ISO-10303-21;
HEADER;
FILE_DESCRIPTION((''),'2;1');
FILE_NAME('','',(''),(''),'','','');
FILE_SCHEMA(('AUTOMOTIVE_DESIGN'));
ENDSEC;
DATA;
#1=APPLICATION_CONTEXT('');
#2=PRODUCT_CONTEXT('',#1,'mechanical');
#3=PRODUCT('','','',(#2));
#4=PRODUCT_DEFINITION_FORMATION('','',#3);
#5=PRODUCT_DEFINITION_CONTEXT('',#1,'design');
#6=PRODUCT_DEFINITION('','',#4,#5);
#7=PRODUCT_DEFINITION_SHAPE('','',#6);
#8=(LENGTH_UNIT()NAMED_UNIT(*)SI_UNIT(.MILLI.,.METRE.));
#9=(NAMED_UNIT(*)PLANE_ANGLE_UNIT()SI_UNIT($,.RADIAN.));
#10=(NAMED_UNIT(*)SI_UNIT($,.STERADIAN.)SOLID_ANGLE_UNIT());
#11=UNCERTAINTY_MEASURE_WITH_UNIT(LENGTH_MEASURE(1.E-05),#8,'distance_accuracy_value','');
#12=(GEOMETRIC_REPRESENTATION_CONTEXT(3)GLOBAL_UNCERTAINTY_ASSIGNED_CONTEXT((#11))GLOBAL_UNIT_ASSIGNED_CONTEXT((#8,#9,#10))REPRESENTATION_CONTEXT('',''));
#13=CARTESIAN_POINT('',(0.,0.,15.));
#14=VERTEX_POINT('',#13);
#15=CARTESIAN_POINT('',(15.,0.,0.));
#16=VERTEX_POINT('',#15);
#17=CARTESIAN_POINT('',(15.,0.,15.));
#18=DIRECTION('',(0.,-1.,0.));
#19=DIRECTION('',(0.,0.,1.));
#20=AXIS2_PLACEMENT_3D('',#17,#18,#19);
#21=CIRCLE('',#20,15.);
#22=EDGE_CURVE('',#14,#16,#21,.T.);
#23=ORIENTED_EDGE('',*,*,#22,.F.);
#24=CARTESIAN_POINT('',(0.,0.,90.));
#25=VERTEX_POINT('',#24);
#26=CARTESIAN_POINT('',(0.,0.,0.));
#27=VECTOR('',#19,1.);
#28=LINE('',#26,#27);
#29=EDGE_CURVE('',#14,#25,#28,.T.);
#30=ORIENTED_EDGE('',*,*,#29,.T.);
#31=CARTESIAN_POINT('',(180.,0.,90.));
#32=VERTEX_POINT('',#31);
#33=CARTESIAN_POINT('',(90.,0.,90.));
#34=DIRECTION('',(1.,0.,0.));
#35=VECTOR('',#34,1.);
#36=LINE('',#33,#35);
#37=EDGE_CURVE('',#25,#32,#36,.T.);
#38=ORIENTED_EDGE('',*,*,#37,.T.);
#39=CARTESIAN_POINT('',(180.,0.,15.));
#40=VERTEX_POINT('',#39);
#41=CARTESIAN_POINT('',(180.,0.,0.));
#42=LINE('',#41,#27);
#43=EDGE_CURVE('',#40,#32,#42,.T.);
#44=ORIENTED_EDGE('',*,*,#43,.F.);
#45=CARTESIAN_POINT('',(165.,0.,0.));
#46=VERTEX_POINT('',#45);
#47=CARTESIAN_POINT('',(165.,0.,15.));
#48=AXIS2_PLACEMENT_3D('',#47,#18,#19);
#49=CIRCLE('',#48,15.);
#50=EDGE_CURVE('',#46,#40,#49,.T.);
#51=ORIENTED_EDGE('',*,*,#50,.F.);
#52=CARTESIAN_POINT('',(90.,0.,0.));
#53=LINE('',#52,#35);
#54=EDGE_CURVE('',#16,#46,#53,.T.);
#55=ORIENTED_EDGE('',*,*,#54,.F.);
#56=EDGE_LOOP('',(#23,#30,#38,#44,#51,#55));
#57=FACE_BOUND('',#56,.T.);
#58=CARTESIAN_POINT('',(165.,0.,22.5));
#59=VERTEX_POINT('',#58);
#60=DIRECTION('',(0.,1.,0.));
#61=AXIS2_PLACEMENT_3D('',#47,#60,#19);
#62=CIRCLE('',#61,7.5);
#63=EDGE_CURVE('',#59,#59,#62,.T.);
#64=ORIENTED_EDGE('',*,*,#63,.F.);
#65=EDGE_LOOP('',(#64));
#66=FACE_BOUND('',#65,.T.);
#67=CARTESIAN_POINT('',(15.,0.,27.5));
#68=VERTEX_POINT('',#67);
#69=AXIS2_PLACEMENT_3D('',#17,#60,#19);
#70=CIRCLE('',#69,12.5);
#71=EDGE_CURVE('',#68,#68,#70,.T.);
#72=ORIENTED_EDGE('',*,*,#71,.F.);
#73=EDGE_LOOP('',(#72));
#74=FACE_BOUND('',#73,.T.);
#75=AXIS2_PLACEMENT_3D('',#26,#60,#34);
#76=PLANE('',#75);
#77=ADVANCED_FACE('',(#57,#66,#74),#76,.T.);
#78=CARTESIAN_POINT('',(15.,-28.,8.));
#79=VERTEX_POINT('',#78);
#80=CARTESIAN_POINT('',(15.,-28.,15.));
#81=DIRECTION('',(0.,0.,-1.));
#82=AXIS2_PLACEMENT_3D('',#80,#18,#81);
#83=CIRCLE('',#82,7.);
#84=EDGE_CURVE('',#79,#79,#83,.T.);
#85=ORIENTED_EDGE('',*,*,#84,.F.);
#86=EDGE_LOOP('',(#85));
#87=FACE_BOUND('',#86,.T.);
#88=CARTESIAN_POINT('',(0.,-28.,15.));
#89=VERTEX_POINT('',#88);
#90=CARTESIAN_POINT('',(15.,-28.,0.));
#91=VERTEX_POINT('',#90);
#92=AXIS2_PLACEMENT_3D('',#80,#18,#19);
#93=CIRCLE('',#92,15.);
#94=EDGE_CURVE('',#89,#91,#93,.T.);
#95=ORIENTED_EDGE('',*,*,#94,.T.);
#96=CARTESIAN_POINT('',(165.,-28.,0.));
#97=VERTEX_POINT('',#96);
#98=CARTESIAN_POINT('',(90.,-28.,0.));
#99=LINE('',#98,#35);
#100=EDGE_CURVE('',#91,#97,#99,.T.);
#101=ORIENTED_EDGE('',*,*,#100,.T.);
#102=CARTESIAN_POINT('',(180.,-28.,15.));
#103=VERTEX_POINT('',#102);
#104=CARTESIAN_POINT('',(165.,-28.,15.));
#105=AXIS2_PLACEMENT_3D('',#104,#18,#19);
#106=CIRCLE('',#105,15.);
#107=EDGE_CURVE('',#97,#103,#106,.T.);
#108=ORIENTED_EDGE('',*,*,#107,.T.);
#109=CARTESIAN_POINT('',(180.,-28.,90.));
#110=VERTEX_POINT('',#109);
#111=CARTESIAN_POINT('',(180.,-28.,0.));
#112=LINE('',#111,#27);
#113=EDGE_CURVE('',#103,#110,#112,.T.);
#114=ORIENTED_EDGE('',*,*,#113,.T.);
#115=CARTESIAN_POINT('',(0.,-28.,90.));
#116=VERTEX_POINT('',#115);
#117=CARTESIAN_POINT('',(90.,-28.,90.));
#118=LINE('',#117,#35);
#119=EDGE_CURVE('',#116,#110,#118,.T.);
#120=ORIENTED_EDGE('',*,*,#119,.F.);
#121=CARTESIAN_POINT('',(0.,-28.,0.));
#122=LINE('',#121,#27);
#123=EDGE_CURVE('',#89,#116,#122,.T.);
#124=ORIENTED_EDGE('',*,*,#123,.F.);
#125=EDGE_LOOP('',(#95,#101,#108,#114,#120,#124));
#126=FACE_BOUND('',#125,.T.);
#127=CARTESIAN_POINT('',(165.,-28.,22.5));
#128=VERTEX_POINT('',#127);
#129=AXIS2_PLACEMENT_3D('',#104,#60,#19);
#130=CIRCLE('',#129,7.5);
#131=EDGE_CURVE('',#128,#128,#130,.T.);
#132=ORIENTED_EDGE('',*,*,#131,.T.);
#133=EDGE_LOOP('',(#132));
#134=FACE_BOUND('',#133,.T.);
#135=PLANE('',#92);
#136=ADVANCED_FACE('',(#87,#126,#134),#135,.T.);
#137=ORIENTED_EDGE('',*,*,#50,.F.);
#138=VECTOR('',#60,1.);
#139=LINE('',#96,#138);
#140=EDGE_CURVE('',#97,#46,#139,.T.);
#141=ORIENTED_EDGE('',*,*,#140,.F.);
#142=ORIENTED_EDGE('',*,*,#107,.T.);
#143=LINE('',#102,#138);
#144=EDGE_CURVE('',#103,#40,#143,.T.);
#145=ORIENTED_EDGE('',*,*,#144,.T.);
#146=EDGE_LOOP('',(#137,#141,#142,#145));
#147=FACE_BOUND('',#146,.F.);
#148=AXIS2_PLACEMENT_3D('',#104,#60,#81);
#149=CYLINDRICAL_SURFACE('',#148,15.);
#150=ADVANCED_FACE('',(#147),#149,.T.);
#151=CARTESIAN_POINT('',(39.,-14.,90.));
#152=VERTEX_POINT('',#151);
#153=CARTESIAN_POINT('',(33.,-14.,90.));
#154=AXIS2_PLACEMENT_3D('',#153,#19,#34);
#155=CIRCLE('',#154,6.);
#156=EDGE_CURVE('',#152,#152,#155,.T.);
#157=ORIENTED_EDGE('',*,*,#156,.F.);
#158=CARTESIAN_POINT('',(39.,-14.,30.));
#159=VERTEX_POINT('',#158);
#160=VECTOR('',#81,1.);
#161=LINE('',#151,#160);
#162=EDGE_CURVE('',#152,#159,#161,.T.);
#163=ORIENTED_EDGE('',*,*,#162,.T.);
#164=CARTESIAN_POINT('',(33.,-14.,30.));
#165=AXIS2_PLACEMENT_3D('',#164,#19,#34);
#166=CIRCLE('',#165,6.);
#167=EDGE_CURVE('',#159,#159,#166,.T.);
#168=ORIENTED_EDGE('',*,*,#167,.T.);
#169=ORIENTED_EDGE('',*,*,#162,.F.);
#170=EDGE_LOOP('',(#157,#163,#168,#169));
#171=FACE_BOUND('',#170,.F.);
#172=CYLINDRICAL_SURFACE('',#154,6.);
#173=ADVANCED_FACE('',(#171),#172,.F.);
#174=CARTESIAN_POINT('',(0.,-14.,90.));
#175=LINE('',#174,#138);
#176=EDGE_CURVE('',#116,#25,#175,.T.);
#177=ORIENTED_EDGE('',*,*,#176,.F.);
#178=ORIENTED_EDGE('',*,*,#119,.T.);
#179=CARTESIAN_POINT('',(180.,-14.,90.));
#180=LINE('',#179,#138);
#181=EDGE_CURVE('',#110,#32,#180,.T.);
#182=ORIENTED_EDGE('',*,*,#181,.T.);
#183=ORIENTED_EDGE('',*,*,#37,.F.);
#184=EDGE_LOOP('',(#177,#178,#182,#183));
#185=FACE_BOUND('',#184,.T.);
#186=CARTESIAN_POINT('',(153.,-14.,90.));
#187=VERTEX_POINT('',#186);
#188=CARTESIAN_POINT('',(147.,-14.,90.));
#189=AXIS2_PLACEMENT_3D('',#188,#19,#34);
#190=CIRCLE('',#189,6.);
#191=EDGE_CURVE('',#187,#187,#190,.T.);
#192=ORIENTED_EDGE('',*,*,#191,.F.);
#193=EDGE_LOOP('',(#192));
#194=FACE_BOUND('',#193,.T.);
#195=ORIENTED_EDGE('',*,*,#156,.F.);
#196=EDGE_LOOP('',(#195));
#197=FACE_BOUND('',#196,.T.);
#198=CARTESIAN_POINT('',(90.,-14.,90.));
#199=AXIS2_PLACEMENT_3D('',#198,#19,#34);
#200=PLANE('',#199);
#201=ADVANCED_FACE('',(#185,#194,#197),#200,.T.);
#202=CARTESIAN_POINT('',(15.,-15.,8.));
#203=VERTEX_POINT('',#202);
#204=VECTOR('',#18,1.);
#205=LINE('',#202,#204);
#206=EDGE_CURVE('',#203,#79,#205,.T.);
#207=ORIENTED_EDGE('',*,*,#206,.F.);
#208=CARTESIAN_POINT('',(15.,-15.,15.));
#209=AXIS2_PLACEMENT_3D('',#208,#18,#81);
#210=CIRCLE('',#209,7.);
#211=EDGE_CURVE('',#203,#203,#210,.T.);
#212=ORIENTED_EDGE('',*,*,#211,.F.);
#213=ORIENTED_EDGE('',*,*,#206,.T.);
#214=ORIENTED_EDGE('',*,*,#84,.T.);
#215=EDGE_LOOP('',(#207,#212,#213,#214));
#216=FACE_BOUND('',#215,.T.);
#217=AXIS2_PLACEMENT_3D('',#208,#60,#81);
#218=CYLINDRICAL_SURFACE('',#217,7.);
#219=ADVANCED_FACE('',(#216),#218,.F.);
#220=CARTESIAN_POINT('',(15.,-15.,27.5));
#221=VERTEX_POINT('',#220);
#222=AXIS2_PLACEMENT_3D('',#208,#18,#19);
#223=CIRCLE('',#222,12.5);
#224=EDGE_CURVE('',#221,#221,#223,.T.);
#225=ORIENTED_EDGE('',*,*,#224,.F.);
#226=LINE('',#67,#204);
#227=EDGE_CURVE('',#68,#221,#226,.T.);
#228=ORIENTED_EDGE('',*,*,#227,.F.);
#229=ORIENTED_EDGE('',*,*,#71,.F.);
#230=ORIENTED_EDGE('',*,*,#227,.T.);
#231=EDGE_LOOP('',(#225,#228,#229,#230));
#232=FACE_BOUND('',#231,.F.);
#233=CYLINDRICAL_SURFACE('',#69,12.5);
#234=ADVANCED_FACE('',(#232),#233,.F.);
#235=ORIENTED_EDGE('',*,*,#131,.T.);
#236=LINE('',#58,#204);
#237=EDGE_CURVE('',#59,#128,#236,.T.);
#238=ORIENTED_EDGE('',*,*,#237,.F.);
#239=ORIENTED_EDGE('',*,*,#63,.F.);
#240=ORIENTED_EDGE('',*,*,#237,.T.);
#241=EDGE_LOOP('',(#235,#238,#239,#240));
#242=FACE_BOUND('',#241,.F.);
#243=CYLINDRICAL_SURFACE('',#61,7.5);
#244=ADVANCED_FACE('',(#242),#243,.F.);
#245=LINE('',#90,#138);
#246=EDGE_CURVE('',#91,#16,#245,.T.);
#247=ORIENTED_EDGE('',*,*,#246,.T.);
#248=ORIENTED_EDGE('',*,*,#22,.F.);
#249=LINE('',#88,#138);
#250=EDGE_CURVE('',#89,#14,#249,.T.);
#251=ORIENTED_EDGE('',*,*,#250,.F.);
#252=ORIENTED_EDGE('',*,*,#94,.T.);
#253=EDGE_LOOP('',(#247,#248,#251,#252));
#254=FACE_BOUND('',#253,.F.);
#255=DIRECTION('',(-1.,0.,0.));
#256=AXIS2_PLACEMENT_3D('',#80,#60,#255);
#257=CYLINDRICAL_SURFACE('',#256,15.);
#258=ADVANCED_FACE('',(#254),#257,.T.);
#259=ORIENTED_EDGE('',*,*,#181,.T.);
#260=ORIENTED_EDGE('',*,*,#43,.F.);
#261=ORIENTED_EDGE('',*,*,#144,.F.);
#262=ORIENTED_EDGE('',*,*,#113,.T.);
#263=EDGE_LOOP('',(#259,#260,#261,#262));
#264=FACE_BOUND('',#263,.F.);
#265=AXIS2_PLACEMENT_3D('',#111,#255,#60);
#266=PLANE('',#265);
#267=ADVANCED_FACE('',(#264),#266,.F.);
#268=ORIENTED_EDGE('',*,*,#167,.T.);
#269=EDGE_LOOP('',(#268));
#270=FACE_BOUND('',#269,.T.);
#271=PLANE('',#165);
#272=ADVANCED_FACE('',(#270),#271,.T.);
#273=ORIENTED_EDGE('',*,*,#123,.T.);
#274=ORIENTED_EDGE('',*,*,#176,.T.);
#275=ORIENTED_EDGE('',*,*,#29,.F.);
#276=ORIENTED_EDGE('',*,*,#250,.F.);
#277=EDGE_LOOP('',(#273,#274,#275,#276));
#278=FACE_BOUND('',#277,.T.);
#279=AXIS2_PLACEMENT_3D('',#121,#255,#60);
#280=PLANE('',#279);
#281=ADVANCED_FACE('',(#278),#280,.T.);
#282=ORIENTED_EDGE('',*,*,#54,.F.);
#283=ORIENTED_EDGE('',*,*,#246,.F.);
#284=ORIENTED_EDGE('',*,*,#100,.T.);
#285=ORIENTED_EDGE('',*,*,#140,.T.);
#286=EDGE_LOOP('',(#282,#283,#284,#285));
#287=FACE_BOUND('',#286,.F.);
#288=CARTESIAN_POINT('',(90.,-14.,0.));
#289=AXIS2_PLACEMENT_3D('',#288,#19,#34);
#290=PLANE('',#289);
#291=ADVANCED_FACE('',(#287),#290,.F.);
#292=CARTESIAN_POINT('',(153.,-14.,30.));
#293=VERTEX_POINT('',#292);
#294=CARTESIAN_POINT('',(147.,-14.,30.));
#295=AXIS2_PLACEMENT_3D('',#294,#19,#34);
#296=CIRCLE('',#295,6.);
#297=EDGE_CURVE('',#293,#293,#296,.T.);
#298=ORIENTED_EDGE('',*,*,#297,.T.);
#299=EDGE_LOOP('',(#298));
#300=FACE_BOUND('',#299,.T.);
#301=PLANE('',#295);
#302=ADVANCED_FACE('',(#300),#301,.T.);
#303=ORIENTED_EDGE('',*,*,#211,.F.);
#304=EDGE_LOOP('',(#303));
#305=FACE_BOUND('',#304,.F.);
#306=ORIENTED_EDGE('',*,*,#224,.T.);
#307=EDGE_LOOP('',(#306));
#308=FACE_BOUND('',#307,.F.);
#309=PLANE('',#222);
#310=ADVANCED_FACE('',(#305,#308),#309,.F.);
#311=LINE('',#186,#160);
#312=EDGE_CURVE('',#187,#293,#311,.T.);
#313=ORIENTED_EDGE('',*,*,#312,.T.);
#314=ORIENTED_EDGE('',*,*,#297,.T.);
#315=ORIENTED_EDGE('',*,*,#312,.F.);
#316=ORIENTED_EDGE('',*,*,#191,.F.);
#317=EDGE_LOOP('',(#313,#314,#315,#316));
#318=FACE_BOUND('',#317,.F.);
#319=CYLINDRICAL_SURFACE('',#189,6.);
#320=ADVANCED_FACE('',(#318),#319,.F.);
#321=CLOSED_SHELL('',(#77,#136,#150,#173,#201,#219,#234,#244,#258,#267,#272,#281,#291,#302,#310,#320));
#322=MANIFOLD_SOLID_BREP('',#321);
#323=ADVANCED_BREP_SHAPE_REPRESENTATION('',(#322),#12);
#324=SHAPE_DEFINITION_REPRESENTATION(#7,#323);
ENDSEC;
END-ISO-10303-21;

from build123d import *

# Parameters (mm, degrees)
SKETCH_1_W          = 180
SKETCH_1_H          = 28
EXTRUDE_1_DEPTH     = 90
SKETCH_2_R          = 6
CUT_EXTRUDE_1_DEPTH = 60
SKETCH_3_R          = 12.5
SKETCH_3_R_2        = 7.5
CUT_EXTRUDE_2_DEPTH = 30
FILLET_1_R          = 15
EXTRUDE_START       = -13
SKETCH_4_R          = 12.5
SKETCH_4_R_2        = 7
EXTRUDE_2_DEPTH     = 13


with BuildPart() as part:
    # 草图1 → 拉伸1 (new body)
    with BuildSketch(Plane.XY):
        with Locations((90, -14)):
            Rectangle(SKETCH_1_W, SKETCH_1_H)
    extrude(amount=EXTRUDE_1_DEPTH)

    # 草图2 → 切除-拉伸1 (cut)
    with BuildSketch(Plane.XY.offset(90)):
        with Locations((33, -14)):
            Circle(SKETCH_2_R)
        with Locations((147, -14)):
            Circle(SKETCH_2_R)
    extrude(amount=-CUT_EXTRUDE_1_DEPTH, mode=Mode.SUBTRACT)

    # 草图3 → 切除-拉伸2 (cut)
    with BuildSketch(Plane(origin=(0, 0, 0), x_dir=(1, 0, 0), z_dir=(0, 1, 0))):
        with Locations(Location((15, -15, 0), (0, 0, 270))):
            Circle(SKETCH_3_R)
        with Locations(Location((165, -15, 0), (0, 0, 270))):
            Circle(SKETCH_3_R_2)
    extrude(amount=-CUT_EXTRUDE_2_DEPTH, mode=Mode.SUBTRACT)

    # 圆角1
    fillet_1_edges = [part.edges().sort_by_distance(p)[0] for p in [
        (180, -14, 0),
        (0, -14, 0),
    ]]
    fillet(fillet_1_edges, radius=FILLET_1_R)

    # 草图4 → 拉伸2 (add)
    with BuildSketch(Plane.XZ.offset(28).offset(EXTRUDE_START)):
        with Locations(Location((15, 15, 0), (0, 0, 90))):
            Circle(SKETCH_4_R)
        with Locations(Location((15, 15, 0), (0, 0, 270))):
            Circle(SKETCH_4_R_2, mode=Mode.SUBTRACT)
    extrude(amount=EXTRUDE_2_DEPTH)


solid = part.part
